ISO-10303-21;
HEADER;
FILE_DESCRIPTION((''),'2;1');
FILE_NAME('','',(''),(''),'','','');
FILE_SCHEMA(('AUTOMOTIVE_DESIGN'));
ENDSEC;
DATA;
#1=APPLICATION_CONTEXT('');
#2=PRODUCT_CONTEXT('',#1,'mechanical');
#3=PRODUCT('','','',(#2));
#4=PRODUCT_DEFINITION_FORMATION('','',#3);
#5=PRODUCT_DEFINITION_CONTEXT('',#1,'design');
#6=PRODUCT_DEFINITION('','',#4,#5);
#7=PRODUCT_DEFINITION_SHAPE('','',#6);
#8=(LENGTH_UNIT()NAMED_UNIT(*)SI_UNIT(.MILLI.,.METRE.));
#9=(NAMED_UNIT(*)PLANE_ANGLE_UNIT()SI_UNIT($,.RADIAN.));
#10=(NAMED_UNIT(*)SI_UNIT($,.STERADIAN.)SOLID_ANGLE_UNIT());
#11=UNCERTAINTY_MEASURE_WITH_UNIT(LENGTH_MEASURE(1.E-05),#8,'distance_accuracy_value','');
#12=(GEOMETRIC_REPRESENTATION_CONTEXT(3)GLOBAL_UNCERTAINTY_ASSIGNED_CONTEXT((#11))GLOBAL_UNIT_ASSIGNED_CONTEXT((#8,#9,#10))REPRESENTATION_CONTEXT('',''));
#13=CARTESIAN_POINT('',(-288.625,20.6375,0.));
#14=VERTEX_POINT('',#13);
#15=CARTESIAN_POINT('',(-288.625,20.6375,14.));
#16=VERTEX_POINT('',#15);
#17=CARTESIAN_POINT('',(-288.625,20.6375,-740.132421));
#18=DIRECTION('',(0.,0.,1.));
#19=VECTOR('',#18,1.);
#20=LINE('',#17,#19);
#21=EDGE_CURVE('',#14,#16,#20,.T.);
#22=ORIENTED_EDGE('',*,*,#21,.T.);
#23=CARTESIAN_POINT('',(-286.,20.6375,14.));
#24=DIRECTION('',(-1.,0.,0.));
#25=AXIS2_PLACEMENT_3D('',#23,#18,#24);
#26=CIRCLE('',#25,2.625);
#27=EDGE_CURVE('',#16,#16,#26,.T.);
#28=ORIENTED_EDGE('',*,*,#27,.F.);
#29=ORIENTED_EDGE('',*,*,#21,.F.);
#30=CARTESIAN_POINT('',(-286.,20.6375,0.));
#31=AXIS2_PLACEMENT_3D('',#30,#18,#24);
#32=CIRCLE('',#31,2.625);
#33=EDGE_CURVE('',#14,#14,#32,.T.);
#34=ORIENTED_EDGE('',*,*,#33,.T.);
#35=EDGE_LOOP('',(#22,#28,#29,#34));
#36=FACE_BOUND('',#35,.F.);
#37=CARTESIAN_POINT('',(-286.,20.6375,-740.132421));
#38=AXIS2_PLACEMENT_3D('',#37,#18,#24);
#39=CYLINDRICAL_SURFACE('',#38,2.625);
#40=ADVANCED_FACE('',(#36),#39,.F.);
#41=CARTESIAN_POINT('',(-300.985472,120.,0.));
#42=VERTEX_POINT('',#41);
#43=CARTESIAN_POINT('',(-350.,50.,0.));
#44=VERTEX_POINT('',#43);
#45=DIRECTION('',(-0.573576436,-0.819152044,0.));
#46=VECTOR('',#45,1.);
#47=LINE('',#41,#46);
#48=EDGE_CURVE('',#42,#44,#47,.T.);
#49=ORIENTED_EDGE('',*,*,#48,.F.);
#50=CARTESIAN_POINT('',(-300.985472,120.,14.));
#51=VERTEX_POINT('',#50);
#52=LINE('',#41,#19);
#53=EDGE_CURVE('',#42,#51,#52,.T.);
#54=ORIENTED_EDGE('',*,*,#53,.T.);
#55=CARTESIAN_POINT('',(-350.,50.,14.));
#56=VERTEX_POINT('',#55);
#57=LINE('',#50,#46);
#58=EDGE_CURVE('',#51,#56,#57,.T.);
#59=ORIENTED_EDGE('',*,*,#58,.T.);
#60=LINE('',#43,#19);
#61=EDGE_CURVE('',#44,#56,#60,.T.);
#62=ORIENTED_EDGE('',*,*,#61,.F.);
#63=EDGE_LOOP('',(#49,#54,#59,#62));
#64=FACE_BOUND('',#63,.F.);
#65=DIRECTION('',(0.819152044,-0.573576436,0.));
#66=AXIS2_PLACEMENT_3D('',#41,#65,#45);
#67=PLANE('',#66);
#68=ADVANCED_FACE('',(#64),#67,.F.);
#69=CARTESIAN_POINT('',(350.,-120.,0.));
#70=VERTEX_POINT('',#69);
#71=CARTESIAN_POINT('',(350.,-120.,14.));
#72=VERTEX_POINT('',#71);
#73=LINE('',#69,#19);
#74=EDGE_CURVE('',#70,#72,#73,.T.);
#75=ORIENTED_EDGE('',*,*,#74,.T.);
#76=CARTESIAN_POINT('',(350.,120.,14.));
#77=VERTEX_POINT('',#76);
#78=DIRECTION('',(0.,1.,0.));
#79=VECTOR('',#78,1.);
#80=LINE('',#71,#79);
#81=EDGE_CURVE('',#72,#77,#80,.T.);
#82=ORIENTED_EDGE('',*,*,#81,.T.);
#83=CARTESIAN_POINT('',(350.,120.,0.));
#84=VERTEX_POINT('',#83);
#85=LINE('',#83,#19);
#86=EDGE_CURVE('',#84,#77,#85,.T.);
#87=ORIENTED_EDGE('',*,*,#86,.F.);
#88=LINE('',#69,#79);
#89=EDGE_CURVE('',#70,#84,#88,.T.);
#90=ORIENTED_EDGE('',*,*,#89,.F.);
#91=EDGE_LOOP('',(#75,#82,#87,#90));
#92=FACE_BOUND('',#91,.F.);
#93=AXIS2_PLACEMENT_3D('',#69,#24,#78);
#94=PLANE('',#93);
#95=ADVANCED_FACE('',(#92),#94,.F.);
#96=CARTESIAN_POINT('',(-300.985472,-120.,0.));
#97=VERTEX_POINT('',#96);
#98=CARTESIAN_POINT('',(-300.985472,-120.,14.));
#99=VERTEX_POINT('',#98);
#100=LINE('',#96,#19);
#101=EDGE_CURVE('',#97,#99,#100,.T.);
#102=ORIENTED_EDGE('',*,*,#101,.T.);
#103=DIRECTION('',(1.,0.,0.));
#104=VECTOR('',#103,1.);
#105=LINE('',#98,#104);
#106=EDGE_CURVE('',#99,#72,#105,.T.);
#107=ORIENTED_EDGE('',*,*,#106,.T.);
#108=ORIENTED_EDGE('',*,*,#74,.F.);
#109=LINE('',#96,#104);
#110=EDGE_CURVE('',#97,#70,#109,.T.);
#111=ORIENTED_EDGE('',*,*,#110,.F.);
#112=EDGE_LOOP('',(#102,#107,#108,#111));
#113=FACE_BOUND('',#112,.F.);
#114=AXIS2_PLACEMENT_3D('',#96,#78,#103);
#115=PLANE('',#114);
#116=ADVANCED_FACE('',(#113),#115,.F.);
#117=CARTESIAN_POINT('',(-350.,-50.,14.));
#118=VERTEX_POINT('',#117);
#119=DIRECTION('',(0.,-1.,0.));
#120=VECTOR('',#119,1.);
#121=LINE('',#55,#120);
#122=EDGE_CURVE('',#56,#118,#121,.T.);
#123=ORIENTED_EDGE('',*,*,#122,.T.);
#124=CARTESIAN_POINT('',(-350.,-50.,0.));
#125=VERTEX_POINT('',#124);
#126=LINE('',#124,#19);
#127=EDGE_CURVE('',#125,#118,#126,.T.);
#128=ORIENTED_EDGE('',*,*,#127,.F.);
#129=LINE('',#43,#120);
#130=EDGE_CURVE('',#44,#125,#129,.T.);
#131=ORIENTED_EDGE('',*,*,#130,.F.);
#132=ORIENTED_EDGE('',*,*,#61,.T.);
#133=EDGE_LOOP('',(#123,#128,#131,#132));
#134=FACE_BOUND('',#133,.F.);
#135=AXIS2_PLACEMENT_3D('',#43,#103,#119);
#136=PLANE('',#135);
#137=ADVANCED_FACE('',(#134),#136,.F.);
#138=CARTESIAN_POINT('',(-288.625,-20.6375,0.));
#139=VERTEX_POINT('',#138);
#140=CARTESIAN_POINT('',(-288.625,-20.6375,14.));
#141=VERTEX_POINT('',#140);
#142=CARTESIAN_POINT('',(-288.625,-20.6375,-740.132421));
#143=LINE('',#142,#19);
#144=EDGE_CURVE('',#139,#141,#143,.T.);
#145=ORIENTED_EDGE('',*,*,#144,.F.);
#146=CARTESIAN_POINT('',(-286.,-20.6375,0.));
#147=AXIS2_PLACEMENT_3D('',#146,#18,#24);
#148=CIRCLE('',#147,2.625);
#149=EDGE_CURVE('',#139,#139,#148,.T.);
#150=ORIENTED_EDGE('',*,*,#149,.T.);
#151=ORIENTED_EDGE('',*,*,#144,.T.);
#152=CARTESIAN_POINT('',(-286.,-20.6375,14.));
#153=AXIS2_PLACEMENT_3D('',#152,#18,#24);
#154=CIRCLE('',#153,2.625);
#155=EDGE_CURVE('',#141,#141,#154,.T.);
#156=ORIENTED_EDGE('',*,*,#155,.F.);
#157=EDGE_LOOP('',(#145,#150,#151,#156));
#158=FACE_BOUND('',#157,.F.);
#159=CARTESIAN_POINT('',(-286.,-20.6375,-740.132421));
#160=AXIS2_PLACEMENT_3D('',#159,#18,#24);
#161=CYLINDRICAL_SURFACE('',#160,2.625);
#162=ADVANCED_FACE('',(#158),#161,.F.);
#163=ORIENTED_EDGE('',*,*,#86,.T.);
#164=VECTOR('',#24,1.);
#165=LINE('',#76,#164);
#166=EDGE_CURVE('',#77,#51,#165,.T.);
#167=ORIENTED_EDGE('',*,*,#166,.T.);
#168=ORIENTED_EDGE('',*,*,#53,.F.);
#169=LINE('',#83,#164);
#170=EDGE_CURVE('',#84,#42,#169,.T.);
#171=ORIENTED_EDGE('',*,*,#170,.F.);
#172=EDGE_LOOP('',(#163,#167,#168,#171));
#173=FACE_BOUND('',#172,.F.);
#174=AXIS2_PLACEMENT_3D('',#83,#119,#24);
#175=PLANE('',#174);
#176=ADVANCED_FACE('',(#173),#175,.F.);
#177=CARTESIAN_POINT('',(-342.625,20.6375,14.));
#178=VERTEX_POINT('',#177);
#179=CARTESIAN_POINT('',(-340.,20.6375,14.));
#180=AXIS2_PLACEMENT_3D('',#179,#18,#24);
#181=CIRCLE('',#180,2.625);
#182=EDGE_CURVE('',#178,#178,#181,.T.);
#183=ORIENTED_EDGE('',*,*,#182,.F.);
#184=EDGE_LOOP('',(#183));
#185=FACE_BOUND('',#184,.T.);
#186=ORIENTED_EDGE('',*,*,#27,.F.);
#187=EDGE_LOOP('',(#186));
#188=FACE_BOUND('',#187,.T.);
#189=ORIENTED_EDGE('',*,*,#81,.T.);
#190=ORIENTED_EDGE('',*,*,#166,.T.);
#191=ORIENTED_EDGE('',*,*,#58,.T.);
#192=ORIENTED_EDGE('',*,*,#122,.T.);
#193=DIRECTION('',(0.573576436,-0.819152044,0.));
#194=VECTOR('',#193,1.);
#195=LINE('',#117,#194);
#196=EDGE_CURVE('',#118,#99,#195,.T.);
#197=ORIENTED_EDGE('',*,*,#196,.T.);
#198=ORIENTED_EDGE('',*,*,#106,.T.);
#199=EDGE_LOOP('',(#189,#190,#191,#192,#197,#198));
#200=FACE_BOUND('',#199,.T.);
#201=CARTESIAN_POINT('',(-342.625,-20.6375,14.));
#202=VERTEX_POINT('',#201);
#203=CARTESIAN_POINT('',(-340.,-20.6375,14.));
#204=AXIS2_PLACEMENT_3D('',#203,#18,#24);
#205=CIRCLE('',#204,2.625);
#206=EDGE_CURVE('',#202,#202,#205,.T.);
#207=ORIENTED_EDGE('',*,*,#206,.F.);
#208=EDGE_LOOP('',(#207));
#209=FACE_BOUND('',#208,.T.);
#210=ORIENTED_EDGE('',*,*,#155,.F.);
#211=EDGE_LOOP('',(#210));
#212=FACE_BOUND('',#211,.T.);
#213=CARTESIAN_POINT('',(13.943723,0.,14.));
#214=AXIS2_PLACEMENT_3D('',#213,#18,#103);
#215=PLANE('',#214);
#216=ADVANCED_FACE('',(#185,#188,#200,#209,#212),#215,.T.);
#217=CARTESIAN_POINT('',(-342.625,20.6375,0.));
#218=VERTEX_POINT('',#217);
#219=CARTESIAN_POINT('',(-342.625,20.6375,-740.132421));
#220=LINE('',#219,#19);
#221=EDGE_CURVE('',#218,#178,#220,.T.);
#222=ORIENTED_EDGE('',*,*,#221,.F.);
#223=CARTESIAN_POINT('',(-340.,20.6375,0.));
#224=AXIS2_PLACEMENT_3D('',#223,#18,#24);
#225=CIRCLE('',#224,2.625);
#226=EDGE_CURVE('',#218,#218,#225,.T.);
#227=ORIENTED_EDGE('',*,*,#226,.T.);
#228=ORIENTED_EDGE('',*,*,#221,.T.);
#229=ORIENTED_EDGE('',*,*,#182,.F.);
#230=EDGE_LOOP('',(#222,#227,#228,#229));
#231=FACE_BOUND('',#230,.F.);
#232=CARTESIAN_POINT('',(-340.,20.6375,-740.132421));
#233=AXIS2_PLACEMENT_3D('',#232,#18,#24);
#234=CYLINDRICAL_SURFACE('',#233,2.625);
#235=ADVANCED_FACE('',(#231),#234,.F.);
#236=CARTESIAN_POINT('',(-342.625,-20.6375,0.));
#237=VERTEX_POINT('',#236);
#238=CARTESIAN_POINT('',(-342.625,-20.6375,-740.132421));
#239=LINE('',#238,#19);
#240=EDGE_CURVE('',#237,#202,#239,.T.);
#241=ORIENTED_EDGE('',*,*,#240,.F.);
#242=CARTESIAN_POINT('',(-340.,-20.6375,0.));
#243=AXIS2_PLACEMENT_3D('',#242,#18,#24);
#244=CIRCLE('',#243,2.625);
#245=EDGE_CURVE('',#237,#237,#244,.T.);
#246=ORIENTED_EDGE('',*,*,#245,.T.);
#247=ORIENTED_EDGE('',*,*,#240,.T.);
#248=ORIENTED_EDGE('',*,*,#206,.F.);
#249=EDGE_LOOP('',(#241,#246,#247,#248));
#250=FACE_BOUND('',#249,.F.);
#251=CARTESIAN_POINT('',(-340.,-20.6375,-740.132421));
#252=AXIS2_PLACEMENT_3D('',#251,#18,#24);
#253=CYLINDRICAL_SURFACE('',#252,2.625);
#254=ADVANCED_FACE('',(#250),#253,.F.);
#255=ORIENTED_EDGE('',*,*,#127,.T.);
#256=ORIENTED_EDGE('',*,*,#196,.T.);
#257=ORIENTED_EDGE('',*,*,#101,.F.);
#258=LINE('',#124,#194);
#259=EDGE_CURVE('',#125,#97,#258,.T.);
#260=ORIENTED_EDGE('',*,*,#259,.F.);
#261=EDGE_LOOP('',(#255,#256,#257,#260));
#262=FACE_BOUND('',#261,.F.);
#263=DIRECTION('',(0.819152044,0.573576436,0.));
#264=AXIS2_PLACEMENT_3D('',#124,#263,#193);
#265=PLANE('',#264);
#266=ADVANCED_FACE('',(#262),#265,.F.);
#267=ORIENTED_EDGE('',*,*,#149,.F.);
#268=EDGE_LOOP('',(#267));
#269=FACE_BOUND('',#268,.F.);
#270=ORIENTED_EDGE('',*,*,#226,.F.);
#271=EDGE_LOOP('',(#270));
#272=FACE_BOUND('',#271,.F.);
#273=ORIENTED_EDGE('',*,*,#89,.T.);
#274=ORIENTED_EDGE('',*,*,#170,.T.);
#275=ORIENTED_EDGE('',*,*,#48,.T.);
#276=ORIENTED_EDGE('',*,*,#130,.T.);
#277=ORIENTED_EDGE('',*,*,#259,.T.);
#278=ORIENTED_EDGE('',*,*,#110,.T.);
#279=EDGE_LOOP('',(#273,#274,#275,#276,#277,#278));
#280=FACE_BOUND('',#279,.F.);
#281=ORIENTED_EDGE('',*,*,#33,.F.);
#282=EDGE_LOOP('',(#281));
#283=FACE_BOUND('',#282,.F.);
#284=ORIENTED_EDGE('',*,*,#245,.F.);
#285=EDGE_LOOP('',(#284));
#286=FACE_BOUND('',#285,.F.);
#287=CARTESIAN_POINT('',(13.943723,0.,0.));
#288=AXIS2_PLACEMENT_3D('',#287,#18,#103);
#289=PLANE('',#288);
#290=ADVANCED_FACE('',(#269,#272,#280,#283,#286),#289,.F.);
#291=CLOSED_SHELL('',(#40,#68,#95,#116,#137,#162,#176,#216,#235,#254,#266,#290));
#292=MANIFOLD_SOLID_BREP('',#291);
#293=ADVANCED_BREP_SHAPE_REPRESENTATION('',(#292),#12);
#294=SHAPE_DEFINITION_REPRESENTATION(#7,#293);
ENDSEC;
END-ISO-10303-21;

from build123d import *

# Parameters (mm, degrees)
F1_DEPTH = 14
F2_D     = 5.25


with BuildPart() as f1:
    # F0 (on Top) → F1 (new body)
    with BuildSketch(Plane.XY):
        Polygon((-300.9854723253, -120), (350, -120), (350, 120), (-300.9854723253, 120), (-350, 50), (-350, -50), align=None)
    extrude(amount=F1_DEPTH)

    # F2 (through all)
    with Locations(Plane(origin=(0, 0, 0), x_dir=(1, 0, 0), z_dir=(0, 0, -1))):
        with Locations((-340, -20.6375), (-286, -20.6375), (-286, 20.6375), (-340, 20.6375)):
            Hole(F2_D / 2)


solid = f1.part
